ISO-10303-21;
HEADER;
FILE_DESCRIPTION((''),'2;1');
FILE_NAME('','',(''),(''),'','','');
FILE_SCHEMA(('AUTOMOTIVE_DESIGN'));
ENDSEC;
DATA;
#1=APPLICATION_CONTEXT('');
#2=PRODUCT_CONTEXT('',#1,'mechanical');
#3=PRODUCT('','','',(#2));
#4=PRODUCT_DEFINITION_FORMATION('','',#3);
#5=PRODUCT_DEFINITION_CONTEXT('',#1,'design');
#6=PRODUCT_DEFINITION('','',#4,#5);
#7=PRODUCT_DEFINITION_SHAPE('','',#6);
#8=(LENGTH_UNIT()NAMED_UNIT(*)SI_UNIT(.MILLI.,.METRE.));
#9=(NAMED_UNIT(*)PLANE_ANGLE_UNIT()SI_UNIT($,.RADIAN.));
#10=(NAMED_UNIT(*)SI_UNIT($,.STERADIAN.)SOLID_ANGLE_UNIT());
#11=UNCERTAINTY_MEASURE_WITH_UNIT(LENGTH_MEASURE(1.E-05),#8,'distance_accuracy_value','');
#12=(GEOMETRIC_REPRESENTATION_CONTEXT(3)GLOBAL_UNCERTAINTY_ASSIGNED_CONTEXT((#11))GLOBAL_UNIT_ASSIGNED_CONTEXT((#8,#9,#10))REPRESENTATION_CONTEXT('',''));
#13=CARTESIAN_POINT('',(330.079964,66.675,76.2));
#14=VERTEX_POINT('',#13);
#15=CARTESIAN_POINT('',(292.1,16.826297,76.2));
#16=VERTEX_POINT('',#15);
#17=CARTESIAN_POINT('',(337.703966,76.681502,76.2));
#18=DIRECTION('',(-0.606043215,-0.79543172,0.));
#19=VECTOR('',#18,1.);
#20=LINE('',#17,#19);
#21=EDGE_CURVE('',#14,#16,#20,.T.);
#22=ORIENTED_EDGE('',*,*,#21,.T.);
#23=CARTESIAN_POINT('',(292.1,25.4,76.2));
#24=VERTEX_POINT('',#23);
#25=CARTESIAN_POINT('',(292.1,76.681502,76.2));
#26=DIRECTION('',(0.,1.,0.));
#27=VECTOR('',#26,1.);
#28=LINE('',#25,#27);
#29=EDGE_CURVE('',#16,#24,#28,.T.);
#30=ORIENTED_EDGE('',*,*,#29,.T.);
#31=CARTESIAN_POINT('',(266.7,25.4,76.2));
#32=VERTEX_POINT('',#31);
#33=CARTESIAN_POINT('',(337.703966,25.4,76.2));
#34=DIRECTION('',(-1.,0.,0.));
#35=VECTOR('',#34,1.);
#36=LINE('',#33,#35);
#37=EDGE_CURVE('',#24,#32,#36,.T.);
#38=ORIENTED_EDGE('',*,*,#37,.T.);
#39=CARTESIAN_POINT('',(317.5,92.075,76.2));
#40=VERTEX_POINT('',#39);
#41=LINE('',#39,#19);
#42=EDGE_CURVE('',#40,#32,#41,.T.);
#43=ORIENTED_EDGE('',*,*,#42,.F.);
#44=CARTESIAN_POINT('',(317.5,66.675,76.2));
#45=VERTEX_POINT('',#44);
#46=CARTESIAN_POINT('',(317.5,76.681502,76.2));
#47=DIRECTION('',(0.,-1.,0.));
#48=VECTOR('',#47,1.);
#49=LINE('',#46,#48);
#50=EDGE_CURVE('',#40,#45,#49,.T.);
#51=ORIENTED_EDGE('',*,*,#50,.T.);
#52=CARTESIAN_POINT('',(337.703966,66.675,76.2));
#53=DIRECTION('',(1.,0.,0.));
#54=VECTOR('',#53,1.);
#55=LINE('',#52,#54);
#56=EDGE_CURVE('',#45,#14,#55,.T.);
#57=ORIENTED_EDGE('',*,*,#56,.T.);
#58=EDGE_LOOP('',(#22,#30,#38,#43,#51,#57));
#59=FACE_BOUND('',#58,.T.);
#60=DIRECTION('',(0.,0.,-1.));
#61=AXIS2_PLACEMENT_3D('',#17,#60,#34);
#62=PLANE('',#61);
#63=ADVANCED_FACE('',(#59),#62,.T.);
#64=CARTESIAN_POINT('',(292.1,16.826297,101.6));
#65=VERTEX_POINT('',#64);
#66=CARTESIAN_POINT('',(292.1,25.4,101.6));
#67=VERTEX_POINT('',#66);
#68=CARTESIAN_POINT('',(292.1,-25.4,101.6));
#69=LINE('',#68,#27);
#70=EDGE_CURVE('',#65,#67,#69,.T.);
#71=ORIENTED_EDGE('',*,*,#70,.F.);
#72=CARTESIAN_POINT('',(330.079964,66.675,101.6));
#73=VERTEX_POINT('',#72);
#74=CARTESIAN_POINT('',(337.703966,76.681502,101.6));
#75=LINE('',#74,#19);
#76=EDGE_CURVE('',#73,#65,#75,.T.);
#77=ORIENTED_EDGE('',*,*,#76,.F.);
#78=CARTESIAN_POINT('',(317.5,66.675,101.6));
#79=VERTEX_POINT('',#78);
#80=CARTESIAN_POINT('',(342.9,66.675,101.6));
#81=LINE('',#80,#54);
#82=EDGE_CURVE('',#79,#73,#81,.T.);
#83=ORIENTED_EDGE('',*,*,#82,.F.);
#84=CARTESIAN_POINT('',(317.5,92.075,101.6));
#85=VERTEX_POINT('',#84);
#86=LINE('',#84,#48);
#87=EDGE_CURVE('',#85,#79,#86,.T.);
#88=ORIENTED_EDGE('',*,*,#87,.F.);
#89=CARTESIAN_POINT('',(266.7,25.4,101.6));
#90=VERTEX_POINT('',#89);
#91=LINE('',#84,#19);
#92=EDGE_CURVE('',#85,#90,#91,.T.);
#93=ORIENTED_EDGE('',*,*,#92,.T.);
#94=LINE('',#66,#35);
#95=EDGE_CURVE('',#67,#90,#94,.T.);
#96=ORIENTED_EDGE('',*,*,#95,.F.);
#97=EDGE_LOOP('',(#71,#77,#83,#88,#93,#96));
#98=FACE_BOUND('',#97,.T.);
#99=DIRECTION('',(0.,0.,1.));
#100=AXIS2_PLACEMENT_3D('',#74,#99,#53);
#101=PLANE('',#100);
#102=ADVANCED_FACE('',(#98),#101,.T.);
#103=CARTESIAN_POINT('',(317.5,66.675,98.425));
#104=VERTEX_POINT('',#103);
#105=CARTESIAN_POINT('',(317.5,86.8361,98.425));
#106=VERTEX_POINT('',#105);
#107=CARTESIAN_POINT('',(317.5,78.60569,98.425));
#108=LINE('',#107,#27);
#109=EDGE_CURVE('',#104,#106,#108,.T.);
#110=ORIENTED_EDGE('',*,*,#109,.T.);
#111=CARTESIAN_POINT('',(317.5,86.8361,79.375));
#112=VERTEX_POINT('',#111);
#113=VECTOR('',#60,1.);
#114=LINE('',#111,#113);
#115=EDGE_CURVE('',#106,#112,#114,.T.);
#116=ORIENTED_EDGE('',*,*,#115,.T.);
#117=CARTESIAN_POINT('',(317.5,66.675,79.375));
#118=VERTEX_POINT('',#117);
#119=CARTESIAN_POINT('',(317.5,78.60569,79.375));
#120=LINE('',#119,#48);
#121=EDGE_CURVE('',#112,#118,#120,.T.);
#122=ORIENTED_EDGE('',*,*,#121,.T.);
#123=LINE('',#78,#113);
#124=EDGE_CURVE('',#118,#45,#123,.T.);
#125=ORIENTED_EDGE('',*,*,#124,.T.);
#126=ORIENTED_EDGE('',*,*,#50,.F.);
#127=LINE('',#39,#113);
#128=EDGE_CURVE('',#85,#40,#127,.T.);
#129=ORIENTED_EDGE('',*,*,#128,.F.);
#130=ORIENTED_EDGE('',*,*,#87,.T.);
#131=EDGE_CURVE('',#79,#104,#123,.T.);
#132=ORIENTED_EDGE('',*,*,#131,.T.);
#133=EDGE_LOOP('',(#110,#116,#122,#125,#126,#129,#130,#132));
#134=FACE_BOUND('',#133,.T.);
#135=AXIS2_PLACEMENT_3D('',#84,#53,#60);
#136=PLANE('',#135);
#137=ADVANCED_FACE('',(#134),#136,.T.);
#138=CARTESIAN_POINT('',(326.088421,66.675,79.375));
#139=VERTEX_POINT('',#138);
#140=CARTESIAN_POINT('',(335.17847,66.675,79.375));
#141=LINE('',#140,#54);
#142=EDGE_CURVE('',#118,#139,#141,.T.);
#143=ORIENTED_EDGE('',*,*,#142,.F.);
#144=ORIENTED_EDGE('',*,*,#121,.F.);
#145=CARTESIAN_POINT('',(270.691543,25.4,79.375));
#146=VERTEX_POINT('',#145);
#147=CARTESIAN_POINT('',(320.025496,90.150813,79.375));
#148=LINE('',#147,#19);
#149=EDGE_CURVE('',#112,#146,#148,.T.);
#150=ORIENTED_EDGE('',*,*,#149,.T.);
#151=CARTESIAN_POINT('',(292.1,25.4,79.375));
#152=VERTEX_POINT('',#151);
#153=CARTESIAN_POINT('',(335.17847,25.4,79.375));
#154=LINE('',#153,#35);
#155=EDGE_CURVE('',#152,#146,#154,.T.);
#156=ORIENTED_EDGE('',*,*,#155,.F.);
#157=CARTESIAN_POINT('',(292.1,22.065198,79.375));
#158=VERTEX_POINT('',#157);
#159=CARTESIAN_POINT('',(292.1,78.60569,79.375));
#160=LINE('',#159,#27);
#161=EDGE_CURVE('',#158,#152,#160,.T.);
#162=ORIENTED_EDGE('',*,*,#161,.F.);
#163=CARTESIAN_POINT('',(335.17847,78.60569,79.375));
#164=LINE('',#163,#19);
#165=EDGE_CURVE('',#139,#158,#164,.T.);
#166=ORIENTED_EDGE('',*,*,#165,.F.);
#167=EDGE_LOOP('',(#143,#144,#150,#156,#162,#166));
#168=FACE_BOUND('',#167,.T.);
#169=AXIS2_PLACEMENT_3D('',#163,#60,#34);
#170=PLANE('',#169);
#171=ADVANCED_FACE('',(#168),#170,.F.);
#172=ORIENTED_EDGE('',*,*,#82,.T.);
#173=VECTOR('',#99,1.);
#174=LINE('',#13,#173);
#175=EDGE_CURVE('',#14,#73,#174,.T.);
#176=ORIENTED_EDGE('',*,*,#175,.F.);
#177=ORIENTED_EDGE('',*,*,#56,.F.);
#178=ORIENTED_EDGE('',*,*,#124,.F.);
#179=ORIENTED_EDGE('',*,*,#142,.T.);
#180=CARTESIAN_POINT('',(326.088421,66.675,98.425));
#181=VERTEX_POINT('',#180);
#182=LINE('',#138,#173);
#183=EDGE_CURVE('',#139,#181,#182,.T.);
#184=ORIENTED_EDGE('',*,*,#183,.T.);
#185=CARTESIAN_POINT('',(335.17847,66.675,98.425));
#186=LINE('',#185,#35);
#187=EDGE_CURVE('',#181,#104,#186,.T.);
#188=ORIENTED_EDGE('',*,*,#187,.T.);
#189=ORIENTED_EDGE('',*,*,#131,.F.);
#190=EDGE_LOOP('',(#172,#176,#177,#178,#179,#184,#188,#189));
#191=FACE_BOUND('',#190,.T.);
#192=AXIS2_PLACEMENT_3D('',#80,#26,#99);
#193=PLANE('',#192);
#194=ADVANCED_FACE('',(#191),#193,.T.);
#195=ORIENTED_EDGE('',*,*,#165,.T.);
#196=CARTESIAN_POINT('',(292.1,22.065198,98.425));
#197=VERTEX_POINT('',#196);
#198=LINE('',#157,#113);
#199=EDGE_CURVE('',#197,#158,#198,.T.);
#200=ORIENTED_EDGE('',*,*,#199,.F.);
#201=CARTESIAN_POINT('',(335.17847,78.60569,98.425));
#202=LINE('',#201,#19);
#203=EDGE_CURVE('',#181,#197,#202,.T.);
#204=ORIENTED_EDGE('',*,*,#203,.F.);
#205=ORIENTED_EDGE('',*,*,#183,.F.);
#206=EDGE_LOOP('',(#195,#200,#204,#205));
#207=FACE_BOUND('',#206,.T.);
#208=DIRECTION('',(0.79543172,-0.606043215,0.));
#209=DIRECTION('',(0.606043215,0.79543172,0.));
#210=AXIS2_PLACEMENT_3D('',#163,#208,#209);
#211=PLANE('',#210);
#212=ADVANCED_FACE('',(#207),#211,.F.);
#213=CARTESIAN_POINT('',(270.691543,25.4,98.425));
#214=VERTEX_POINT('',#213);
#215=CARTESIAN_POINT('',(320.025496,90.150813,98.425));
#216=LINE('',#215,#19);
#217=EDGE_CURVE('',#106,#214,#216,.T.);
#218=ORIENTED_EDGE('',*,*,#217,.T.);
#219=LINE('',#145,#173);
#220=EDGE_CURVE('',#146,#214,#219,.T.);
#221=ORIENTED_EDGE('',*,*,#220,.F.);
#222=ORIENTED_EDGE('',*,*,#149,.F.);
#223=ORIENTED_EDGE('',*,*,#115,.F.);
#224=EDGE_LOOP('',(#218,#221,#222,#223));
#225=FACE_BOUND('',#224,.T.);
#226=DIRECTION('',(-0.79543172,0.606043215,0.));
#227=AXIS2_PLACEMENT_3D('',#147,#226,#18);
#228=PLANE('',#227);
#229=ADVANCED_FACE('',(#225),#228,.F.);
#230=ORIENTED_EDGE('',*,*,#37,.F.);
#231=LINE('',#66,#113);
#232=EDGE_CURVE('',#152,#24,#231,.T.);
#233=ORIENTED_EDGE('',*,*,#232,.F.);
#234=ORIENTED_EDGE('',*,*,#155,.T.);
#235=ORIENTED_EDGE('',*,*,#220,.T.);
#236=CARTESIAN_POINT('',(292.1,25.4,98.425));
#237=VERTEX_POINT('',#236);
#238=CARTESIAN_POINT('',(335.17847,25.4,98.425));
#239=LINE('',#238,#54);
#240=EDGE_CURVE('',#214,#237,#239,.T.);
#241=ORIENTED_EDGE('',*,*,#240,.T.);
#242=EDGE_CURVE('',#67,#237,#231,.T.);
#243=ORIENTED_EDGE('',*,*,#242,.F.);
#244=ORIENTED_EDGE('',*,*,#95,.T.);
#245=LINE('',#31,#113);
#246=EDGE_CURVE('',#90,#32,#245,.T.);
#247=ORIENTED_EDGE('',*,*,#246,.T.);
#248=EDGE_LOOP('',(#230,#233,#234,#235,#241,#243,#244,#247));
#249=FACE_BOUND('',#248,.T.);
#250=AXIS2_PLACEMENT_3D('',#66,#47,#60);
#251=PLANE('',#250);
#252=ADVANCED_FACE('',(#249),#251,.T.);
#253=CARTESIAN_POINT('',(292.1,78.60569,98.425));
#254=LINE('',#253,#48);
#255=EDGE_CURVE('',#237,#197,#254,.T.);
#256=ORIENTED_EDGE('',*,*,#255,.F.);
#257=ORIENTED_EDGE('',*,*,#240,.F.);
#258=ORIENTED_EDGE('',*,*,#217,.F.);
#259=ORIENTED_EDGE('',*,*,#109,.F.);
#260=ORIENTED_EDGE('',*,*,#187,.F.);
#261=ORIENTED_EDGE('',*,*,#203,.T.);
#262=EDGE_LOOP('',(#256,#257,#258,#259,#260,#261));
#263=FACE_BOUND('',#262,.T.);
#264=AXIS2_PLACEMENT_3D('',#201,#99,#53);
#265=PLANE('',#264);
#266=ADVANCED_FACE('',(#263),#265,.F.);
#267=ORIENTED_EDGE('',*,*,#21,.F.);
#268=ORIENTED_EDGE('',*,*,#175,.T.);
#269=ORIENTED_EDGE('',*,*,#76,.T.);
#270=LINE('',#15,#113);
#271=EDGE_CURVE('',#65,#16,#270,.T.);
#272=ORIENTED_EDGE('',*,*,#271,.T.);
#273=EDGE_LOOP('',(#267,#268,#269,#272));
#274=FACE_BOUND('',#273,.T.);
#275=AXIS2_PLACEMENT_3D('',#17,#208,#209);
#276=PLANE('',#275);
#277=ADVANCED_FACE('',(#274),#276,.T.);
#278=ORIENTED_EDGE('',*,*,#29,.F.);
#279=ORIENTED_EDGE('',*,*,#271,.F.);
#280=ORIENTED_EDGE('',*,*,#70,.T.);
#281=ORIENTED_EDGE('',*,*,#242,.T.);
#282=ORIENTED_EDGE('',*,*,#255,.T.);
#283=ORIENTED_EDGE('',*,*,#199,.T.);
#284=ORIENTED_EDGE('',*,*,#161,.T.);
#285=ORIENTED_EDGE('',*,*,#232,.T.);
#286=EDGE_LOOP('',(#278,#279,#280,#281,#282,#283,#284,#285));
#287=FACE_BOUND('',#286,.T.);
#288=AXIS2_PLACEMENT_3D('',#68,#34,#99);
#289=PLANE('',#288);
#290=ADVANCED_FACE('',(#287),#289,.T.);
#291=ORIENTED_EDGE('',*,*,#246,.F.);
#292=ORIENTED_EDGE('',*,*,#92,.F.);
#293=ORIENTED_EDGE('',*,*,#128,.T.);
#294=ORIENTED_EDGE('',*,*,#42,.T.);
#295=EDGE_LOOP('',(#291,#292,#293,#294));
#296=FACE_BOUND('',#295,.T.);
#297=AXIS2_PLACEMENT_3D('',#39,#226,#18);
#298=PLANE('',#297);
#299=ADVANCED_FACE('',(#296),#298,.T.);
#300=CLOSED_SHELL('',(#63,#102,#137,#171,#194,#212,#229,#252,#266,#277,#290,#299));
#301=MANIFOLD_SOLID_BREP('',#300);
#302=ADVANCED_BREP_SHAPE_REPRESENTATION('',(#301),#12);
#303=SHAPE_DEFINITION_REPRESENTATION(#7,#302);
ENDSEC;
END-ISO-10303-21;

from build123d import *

# Parameters (mm, degrees)
BOSS_EXTRUDE1_DEPTH      = 8.573703
BOSS_EXTRUDE1_DEPTH_BACK = 75.248703
SKETCH1_W                = 25.4
SKETCH1_H                = 25.4
SKETCH1_W_2              = 19.05
SKETCH1_H_2              = 19.05
SKETCH2_W                = 25.4
SKETCH2_H                = 25.4
SKETCH2_H_2              = 50.8
CUT_EXTRUDE1_DEPTH       = 365.478167069


with BuildPart() as part:
    # Sketch1 → Boss-Extrude1 (new, two sides: drawn at the far end of the back side and taken through both)
    with BuildSketch(Plane(origin=(115.396321255, 151.457671647, 0), x_dir=(-0.7954317200324988, 0.606043215262856, 0), z_dir=(-0.606043215262856, -0.7954317200324988, 0)).offset(-BOSS_EXTRUDE1_DEPTH_BACK)):
        with Locations((-209.448142065, -88.9)):
            Rectangle(SKETCH1_W, SKETCH1_H)
        with Locations((-209.448142065, -88.9)):
            Rectangle(SKETCH1_W_2, SKETCH1_H_2, mode=Mode.SUBTRACT)
    extrude(amount=BOSS_EXTRUDE1_DEPTH + BOSS_EXTRUDE1_DEPTH_BACK)

    # Sketch2 → Cut-Extrude1 (cut, through all)
    with BuildSketch(Plane.XY):
        with Locations((330.2, 79.375)):
            Rectangle(SKETCH2_W, SKETCH2_H)
        with Locations((279.4, 0)):
            Rectangle(SKETCH2_W, SKETCH2_H_2)
    extrude(amount=CUT_EXTRUDE1_DEPTH, mode=Mode.SUBTRACT)


solid = part.part
